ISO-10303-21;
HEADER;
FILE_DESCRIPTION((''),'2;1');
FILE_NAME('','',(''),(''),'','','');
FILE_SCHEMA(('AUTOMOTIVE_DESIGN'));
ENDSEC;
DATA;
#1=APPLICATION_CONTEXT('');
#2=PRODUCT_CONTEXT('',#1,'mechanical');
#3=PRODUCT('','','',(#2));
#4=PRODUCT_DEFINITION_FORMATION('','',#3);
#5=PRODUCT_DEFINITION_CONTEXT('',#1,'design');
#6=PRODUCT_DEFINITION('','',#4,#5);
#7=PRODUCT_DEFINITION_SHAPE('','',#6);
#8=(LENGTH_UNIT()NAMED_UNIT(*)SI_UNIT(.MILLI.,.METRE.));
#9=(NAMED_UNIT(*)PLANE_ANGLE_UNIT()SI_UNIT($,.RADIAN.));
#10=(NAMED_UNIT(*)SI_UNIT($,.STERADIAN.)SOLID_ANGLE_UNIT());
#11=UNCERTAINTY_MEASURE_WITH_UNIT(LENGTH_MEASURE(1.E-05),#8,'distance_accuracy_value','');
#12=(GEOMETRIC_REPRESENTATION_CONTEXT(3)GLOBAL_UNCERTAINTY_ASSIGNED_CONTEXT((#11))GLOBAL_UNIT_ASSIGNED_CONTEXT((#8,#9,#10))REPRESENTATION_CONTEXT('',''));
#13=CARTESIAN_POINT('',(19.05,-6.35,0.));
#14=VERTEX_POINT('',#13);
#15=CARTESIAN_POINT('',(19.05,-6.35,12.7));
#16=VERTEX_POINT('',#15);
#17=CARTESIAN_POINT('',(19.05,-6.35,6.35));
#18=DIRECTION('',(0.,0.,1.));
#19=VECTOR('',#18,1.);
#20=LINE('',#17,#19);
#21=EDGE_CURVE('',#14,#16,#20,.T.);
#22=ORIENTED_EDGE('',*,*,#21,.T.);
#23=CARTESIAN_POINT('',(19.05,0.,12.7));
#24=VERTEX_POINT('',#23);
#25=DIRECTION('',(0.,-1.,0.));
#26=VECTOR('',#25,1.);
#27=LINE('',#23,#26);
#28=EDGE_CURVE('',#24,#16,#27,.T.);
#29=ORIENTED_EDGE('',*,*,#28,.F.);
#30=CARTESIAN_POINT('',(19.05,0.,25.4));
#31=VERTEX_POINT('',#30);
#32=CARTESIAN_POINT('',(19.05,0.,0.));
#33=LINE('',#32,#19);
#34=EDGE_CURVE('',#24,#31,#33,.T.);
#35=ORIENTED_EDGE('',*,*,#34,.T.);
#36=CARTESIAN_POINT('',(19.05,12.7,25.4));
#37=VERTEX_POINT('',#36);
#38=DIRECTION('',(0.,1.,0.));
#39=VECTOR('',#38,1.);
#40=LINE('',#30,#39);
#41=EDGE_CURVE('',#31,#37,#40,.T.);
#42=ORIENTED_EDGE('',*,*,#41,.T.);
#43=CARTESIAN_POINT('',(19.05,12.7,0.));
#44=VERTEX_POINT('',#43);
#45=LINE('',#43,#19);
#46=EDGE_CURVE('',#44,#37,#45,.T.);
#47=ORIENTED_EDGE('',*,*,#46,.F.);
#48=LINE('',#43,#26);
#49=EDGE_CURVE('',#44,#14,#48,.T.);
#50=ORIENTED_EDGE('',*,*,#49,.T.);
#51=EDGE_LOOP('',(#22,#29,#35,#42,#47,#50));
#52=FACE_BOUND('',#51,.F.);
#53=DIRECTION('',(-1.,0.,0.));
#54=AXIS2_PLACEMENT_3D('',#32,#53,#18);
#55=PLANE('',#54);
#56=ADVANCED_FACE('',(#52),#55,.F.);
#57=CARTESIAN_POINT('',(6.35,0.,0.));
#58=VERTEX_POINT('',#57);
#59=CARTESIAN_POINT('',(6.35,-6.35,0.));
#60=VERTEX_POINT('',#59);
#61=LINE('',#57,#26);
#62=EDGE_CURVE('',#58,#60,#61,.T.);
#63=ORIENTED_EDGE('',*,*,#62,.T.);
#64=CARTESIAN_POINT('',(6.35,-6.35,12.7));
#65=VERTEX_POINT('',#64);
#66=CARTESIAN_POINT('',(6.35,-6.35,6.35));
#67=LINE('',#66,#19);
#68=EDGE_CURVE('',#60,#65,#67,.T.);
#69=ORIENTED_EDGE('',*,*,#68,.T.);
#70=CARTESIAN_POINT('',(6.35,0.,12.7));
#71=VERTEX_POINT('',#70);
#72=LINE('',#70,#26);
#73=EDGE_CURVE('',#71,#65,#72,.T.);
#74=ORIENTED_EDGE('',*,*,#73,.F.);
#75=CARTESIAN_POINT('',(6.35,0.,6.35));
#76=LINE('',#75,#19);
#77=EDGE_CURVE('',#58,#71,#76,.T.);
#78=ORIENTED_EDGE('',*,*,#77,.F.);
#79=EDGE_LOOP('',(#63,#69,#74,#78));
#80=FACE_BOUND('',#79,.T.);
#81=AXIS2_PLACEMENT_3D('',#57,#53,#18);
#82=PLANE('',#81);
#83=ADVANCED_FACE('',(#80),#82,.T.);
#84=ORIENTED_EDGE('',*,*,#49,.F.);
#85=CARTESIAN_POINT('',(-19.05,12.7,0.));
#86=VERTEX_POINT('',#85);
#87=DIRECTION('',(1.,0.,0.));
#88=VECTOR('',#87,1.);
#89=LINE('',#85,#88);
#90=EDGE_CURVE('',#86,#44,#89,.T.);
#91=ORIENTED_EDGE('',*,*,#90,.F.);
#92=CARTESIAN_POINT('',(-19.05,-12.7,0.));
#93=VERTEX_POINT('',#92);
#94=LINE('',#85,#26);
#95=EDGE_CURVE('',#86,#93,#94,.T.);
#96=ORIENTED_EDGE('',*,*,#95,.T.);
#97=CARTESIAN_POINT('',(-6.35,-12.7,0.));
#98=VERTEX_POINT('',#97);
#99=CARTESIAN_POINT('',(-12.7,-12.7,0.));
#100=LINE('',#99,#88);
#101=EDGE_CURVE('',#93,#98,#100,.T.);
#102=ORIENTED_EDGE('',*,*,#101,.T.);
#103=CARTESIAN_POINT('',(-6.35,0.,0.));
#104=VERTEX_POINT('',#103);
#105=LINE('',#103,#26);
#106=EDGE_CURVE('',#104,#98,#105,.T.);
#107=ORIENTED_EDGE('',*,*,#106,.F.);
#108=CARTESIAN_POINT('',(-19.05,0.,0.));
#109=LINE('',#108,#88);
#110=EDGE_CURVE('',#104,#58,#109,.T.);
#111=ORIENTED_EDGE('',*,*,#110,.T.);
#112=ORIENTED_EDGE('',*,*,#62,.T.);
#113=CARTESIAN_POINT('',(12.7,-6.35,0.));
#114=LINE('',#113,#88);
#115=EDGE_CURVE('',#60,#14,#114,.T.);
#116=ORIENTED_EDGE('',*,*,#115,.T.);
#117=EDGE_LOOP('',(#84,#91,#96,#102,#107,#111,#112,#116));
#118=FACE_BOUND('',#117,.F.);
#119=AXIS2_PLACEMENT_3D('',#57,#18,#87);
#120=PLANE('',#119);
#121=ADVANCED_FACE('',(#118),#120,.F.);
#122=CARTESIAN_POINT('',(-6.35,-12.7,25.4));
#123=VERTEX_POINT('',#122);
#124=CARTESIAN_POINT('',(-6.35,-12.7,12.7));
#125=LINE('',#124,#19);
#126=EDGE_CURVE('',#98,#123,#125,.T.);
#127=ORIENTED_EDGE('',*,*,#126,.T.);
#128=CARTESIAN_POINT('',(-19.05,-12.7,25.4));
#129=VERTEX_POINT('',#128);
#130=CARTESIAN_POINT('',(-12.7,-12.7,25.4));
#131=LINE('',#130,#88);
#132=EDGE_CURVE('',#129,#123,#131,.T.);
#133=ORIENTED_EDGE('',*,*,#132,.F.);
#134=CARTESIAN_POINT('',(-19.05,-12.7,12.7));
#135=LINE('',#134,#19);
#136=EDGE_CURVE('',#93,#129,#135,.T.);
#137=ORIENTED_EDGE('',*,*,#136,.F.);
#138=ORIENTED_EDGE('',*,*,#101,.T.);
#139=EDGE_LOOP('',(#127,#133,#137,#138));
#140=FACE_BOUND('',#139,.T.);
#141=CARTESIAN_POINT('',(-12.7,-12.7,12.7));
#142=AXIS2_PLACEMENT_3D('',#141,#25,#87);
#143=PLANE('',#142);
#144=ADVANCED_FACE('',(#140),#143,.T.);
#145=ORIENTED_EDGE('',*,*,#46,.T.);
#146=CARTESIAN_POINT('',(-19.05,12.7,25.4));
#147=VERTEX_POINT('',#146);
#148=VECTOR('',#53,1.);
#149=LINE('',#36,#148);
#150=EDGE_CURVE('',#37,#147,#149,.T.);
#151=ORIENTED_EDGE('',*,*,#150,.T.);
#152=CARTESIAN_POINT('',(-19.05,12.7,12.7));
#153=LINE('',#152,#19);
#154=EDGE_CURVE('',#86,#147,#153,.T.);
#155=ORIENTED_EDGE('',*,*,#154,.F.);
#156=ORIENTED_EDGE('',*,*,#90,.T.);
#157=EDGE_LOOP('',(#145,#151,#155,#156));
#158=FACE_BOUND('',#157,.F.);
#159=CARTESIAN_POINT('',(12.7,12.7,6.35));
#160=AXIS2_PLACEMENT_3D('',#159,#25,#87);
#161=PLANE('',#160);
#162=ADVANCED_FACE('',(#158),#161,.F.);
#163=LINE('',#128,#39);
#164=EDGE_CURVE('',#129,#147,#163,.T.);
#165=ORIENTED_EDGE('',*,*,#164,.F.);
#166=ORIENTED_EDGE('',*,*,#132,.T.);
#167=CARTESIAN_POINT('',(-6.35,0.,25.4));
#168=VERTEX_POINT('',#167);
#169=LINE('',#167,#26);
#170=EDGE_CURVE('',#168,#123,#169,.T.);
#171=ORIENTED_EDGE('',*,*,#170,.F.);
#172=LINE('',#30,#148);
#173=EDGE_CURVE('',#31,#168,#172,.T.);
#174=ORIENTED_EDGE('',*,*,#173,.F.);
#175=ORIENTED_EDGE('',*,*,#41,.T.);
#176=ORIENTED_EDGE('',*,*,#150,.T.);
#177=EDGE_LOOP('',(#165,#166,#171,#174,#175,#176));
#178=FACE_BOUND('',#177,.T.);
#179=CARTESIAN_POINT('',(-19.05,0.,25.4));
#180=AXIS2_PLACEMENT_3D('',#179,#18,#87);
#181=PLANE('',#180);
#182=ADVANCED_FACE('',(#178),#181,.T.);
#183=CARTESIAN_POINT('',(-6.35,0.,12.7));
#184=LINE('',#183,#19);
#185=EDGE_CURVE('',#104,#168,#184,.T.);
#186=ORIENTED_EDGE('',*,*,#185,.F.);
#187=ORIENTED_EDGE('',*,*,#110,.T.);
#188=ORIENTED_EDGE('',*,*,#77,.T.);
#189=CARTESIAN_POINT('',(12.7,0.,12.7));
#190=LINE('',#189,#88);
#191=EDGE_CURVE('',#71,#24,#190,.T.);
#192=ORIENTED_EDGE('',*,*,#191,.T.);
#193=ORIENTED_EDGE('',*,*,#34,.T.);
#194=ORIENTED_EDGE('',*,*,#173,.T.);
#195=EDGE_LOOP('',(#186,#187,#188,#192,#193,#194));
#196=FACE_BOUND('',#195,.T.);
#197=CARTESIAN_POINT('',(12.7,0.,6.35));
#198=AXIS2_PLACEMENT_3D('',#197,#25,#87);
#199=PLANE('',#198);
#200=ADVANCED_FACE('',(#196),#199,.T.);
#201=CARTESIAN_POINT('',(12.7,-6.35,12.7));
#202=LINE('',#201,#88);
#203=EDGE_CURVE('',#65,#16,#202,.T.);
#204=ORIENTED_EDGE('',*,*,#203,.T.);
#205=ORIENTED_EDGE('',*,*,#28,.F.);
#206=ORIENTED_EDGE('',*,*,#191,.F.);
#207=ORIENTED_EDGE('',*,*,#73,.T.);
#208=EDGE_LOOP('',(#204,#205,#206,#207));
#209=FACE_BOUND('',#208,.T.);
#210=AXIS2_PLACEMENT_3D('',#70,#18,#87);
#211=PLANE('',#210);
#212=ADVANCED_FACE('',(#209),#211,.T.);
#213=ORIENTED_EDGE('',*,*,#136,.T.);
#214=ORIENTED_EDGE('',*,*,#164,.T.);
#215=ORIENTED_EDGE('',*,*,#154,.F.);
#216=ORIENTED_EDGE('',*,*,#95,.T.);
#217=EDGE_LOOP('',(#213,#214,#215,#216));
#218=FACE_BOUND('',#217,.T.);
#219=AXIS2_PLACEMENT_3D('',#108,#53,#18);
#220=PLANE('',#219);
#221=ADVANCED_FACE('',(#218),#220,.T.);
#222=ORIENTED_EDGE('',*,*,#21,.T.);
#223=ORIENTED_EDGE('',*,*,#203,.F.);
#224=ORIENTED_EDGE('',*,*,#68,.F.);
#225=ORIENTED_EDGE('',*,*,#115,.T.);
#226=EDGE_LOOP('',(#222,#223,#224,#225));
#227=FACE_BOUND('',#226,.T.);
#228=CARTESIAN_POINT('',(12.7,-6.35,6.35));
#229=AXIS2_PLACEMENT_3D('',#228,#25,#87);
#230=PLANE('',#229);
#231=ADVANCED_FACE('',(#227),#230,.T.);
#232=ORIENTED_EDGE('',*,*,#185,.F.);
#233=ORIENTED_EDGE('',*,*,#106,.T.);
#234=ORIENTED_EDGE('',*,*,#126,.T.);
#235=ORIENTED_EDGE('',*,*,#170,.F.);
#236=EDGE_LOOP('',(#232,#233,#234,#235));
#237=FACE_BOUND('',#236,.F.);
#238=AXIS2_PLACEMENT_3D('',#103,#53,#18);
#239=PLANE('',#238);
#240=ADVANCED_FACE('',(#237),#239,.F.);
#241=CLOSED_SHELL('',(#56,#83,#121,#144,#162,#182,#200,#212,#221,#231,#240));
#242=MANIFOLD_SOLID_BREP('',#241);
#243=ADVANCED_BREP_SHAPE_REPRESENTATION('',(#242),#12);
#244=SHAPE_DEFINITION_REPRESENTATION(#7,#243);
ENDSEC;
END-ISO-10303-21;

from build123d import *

# Parameters (mm, degrees)
F0_W     = 12.7
F0_H     = 12.7
F0_H_2   = 25.4
F1_DEPTH = 12.7
F2_DEPTH = 12.7
F3_DEPTH = 6.35


with BuildPart() as f1:
    # F0 (on Front) → F1 (new body)
    with BuildSketch(Plane.XZ):
        with Locations((12.7, 6.35)):
            Rectangle(F0_W, F0_H)
        Polygon((19.05, 25.4), (-6.35, 25.4), (-6.35, 0), (6.35, 0), (6.35, 12.7), (19.05, 12.7), align=None)
        with Locations((-12.7, 12.7)):
            Rectangle(F0_W, F0_H_2)
    extrude(amount=-F1_DEPTH)

    # F0 (on Front) → F2 (join)
    with BuildSketch(Plane.XZ):
        with Locations((-12.7, 12.7)):
            Rectangle(F0_W, F0_H_2)
    extrude(amount=F2_DEPTH)

    # F0 (on Front) → F3 (join)
    with BuildSketch(Plane.XZ):
        with Locations((12.7, 6.35)):
            Rectangle(F0_W, F0_H)
    extrude(amount=F3_DEPTH)


solid = f1.part
